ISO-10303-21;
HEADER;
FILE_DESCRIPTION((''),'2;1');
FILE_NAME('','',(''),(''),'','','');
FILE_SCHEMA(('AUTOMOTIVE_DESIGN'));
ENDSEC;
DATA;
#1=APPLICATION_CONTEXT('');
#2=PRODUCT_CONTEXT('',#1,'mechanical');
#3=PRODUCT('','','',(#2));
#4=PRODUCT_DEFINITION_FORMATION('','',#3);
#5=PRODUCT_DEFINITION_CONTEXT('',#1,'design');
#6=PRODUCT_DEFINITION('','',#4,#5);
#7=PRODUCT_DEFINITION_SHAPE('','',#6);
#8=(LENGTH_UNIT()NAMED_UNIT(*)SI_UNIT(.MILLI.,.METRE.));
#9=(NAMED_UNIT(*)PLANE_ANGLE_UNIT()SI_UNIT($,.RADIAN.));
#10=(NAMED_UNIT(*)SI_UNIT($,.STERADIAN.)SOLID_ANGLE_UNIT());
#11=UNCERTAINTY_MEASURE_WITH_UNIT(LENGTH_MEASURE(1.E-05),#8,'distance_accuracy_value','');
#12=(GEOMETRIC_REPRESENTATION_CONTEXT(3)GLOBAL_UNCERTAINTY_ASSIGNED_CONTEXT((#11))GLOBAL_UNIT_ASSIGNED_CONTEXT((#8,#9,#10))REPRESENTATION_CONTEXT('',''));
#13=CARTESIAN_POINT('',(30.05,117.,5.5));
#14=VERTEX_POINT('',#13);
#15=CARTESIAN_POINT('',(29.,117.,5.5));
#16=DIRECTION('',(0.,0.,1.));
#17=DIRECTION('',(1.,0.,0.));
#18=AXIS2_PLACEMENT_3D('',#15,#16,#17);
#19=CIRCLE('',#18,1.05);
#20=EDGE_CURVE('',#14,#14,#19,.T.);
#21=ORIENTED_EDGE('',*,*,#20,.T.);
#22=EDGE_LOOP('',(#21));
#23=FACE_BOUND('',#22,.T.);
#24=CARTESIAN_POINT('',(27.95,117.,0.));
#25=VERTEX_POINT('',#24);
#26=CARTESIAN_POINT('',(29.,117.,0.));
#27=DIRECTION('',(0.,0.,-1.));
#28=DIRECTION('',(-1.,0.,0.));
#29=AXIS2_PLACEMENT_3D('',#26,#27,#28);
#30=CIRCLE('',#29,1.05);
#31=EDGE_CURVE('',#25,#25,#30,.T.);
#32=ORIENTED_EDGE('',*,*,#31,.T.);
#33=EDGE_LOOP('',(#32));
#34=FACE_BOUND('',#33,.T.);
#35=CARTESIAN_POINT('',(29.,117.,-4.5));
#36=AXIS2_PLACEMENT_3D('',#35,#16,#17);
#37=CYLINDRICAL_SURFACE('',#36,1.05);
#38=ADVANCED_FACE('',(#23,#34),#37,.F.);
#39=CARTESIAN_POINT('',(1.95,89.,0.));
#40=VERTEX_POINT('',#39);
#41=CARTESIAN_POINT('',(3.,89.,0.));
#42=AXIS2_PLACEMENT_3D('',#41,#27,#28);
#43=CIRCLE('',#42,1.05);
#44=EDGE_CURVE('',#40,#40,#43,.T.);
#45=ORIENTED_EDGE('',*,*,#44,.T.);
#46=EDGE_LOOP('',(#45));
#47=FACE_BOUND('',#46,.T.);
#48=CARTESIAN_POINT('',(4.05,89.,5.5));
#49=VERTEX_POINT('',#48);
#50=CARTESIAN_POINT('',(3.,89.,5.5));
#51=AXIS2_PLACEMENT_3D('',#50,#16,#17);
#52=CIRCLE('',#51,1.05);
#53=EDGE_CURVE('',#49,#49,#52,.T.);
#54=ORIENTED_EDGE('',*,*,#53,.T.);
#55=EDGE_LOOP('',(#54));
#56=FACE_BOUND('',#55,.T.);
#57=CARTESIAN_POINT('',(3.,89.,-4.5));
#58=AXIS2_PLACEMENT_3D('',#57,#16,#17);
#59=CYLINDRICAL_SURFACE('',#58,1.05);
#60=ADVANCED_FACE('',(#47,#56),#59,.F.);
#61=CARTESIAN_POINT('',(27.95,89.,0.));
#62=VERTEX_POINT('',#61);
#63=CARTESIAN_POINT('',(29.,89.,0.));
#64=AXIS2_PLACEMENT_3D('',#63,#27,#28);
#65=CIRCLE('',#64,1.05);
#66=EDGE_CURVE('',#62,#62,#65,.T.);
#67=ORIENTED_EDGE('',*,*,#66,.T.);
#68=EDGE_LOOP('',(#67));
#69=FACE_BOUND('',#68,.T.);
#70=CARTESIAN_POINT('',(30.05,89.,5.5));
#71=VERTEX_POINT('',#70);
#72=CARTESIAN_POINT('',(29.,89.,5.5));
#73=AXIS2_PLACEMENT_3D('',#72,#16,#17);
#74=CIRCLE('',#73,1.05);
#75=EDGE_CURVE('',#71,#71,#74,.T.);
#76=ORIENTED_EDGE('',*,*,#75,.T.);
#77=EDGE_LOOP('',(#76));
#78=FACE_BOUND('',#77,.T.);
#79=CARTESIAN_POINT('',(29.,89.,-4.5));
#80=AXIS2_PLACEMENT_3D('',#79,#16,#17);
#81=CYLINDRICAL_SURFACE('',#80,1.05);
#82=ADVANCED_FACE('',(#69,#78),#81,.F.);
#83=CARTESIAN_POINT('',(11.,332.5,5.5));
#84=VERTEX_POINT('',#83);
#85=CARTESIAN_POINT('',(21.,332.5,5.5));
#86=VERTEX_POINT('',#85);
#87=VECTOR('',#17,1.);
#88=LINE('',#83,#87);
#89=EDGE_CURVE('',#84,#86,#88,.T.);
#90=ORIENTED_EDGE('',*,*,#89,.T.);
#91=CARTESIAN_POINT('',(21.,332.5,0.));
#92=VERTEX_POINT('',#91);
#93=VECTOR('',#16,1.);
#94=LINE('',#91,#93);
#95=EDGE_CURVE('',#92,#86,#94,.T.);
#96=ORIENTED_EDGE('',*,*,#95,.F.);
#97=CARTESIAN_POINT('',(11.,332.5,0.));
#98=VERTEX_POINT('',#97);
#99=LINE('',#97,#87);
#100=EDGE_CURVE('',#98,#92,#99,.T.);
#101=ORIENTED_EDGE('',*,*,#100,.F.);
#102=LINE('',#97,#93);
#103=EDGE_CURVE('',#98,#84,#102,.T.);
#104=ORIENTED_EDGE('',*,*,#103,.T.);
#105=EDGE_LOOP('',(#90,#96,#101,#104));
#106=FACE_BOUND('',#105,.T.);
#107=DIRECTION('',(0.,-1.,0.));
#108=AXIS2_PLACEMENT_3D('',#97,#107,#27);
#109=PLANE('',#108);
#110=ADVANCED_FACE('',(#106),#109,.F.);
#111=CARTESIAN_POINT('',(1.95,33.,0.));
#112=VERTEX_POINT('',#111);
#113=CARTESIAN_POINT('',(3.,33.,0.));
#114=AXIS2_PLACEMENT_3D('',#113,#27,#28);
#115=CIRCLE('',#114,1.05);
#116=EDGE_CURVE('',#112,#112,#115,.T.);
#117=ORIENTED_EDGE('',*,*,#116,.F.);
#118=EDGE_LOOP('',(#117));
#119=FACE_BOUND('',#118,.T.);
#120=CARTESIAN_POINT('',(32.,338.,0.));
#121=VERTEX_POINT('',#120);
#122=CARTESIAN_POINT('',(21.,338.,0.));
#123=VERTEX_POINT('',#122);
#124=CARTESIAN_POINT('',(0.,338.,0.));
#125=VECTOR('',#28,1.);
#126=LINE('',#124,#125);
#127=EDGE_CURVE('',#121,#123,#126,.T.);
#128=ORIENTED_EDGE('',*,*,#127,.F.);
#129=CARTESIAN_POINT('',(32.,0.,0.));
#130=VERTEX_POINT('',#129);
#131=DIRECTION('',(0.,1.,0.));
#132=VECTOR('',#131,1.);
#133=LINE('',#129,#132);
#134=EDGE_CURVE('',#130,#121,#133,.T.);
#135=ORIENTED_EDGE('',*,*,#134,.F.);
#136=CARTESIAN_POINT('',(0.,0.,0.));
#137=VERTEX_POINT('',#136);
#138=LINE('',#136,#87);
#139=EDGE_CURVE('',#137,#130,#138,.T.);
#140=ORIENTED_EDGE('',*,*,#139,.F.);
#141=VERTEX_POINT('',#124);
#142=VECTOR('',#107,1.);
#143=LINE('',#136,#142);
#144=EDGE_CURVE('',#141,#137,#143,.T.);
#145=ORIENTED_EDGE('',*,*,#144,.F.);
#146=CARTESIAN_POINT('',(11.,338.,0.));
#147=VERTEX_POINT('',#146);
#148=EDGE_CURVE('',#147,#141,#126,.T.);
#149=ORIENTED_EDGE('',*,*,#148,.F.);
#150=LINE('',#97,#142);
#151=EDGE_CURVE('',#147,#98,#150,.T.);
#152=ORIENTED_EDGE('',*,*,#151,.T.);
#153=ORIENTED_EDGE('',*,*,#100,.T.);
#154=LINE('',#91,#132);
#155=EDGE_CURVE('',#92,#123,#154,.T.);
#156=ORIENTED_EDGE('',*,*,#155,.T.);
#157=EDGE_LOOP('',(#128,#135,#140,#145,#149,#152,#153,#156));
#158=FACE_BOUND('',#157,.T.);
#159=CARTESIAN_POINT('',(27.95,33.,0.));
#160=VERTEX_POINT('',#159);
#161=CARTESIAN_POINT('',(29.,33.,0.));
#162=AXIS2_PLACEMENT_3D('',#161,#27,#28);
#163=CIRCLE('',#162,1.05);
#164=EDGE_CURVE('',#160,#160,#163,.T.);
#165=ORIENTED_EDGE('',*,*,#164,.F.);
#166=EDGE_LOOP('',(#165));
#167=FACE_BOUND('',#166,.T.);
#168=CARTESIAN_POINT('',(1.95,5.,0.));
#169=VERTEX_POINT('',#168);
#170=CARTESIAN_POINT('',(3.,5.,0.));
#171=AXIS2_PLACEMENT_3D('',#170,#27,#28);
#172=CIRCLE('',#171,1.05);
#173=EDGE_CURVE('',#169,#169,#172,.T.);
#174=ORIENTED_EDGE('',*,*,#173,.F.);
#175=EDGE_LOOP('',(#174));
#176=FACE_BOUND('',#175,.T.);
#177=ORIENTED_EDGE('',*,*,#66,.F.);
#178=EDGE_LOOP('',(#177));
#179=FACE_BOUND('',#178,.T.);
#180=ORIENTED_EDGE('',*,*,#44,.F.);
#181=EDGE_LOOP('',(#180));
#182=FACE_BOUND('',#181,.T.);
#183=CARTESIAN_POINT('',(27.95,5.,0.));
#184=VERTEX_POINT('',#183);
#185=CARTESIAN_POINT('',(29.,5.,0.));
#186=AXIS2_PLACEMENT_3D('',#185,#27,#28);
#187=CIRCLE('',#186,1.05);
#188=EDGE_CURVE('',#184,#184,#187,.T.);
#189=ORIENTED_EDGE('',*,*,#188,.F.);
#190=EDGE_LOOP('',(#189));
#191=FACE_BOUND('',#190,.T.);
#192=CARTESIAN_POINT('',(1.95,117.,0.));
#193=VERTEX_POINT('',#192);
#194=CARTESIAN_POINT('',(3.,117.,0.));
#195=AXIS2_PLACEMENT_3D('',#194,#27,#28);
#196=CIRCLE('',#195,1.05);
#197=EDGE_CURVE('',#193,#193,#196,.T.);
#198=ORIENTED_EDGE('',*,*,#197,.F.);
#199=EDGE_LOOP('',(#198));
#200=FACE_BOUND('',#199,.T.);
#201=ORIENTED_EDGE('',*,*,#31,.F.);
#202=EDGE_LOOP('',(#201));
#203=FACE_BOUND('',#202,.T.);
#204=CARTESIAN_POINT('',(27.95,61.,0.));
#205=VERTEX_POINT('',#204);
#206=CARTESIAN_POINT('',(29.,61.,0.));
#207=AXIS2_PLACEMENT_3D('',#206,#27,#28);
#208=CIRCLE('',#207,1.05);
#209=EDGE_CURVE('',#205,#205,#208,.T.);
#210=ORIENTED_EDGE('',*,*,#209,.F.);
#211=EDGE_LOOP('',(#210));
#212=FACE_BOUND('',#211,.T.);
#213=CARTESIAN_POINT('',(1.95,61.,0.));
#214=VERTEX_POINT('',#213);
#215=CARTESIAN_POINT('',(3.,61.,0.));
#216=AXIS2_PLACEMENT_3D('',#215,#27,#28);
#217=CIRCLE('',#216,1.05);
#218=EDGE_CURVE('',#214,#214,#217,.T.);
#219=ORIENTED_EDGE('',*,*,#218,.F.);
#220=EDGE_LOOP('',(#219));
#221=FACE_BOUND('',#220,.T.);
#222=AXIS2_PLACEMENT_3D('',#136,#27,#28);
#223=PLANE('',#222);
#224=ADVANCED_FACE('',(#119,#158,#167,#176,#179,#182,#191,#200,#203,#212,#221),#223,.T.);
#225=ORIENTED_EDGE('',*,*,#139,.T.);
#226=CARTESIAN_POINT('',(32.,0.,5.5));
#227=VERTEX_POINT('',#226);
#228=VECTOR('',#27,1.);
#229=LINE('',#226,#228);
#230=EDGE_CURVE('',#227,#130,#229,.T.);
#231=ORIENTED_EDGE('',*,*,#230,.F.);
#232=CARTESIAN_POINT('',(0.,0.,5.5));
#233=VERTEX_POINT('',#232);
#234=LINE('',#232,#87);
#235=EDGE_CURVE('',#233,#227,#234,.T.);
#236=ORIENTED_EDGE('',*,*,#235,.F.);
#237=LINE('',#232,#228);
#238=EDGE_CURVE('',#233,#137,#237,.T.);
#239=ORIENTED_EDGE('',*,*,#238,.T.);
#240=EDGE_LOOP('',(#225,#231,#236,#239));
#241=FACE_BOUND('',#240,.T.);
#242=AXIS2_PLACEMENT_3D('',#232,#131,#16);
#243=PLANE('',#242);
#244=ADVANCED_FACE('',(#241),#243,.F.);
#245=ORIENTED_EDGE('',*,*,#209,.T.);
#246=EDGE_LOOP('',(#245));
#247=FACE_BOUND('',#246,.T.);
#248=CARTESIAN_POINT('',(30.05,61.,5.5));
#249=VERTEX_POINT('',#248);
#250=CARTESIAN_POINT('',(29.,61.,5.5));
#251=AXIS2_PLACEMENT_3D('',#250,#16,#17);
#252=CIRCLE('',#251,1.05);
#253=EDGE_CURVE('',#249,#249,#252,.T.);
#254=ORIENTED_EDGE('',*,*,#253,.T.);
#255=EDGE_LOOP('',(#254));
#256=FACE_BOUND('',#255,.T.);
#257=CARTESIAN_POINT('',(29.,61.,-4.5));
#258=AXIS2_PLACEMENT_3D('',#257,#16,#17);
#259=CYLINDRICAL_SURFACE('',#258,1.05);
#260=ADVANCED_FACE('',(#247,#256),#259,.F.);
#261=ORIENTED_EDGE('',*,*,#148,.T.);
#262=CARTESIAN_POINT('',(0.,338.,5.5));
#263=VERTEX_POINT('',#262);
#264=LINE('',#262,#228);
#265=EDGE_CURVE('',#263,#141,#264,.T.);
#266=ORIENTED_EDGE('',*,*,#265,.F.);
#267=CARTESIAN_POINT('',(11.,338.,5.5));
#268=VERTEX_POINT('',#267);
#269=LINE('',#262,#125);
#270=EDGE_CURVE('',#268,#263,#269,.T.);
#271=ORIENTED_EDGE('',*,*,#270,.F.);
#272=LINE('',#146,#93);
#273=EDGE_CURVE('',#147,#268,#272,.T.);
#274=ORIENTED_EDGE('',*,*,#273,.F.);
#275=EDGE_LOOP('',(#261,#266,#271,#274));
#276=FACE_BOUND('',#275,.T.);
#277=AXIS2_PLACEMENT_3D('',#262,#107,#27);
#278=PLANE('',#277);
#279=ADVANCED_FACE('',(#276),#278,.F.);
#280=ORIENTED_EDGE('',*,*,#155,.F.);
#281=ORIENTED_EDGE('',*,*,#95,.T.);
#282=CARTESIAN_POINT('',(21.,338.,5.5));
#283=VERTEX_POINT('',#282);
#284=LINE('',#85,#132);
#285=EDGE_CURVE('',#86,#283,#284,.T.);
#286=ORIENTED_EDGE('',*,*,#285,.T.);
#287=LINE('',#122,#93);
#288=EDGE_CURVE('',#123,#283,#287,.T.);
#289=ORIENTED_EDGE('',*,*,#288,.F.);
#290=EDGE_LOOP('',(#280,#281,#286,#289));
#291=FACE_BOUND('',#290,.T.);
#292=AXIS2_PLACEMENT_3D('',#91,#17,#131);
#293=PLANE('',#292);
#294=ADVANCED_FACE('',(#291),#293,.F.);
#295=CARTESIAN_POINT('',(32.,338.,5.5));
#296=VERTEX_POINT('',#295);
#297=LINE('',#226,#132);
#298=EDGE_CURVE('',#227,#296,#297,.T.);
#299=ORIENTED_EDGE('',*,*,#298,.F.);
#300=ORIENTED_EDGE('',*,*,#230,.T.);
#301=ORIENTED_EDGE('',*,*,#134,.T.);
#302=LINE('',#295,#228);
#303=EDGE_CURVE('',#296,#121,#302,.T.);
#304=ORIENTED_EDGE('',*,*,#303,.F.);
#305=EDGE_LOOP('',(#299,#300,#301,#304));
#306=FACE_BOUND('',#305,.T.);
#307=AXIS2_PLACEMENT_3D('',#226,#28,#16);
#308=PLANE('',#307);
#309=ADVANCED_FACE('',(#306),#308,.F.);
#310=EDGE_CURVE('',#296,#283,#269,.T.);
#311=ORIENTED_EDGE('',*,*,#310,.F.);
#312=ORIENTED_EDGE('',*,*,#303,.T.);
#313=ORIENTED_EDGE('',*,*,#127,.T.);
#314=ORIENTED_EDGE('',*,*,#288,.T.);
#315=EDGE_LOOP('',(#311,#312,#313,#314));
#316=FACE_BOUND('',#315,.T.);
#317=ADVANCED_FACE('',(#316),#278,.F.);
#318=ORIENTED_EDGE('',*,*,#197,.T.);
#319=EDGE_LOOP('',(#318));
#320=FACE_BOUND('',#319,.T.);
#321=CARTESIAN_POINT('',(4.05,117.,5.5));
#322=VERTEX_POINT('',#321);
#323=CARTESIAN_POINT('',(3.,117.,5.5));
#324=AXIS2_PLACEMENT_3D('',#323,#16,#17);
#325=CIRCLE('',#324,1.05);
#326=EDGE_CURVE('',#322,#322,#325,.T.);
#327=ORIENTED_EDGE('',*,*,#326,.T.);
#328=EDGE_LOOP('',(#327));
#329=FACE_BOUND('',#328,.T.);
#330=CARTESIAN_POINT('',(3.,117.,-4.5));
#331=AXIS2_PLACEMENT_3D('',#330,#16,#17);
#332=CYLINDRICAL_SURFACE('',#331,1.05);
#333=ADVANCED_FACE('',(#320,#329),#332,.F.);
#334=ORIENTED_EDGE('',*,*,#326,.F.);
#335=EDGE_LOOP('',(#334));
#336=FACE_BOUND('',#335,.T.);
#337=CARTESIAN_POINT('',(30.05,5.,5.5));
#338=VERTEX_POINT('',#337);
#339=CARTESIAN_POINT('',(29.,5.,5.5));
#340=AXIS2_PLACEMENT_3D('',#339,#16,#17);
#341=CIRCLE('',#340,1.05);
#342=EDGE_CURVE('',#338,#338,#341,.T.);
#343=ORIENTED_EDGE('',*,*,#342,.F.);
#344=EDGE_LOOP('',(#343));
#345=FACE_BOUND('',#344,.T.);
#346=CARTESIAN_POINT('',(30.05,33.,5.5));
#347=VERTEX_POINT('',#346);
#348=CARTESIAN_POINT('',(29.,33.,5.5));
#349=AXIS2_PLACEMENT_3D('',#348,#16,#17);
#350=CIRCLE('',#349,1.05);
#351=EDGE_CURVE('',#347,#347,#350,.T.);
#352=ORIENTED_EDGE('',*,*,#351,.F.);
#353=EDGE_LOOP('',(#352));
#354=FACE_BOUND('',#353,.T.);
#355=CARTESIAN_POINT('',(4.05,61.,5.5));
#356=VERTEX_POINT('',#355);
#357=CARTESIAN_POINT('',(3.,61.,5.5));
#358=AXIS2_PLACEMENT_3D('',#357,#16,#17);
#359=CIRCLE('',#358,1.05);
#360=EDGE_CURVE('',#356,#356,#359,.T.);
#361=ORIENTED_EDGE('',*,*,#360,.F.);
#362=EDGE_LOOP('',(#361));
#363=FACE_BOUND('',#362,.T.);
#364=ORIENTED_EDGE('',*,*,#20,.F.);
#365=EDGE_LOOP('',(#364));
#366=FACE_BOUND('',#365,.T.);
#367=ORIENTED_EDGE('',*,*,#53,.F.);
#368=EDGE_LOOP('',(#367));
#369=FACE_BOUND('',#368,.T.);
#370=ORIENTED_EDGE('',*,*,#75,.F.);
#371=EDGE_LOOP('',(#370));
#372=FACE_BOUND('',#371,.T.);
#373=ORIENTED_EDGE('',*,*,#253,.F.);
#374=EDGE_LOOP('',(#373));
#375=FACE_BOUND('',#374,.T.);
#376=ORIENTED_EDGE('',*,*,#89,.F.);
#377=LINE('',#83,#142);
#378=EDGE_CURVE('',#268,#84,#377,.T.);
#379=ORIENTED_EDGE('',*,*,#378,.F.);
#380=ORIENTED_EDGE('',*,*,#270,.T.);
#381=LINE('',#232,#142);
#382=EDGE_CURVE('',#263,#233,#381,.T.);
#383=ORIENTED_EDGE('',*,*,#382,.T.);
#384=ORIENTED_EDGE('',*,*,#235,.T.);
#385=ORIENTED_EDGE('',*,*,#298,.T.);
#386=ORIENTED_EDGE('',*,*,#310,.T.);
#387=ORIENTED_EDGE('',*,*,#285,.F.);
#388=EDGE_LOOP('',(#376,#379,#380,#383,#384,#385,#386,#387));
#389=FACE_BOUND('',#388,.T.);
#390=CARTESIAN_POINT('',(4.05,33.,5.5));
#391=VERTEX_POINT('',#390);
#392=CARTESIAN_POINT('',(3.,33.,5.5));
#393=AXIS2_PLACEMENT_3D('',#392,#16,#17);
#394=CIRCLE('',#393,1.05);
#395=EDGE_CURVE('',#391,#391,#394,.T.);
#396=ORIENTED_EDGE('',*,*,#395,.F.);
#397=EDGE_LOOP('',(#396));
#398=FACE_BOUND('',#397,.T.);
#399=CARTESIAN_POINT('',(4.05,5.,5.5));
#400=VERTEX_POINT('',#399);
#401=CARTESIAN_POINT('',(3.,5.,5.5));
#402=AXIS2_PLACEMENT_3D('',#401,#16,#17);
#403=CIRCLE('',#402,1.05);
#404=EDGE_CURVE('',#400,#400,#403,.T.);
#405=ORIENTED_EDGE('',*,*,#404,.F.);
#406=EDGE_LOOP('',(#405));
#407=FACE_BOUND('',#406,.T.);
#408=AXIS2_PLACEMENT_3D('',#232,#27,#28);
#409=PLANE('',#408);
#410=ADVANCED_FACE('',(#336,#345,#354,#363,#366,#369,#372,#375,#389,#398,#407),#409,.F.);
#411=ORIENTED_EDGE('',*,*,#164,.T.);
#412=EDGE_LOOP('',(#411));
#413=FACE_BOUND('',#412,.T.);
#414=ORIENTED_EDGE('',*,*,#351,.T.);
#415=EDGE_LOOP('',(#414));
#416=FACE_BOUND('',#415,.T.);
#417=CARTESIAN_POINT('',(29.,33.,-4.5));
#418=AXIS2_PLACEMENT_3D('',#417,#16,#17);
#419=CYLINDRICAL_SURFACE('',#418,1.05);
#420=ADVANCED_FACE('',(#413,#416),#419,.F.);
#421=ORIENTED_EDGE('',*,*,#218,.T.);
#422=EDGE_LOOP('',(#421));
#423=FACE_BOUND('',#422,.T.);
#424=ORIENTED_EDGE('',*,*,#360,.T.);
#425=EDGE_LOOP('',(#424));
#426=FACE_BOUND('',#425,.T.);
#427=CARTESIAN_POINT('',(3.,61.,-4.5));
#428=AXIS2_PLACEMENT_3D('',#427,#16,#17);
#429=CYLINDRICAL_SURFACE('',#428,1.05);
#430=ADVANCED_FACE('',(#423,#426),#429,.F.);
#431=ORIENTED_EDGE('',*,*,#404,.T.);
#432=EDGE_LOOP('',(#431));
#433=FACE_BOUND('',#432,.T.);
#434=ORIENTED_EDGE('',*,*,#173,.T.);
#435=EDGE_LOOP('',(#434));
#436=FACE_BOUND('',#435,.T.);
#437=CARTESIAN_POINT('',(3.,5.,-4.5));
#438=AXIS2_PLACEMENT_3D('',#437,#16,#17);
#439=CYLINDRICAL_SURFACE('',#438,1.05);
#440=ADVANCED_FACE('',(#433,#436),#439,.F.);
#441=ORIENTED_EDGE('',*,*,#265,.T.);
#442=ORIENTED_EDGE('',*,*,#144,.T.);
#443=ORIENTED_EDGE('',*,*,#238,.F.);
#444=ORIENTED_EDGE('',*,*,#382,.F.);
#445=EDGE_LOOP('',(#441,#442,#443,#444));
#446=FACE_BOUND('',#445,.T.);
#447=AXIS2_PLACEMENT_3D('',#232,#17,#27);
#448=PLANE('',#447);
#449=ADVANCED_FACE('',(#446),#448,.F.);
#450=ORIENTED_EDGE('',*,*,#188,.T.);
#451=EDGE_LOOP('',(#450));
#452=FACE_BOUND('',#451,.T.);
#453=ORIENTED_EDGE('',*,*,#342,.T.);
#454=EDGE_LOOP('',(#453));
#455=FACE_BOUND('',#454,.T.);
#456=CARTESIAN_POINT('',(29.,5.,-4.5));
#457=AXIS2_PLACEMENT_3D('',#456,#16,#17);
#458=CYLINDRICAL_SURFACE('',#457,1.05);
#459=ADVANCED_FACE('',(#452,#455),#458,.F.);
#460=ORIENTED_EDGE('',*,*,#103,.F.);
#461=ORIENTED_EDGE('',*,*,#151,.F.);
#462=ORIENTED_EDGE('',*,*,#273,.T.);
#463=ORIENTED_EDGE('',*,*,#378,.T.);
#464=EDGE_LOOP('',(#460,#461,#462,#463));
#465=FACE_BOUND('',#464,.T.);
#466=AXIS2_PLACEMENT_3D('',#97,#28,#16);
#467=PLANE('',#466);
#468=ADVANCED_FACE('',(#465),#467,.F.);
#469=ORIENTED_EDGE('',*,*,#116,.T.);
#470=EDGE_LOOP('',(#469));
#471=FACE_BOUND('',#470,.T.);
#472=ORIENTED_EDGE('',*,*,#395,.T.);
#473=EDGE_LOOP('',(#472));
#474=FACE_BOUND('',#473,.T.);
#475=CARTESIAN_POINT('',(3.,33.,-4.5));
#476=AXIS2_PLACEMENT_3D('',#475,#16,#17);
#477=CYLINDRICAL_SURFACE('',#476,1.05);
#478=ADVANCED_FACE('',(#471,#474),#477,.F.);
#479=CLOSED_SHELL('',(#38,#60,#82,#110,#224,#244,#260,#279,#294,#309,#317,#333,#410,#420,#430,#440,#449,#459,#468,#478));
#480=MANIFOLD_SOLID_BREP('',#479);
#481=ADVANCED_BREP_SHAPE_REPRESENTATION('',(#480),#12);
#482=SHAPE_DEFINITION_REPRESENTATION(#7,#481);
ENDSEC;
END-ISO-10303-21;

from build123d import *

# Parameters (mm, degrees)
SKETCH_1_W          = 32
SKETCH_1_H          = 338
EXTRUDE_1_DEPTH     = 5.5
SKETCH_2_W          = 10
SKETCH_2_H          = 5.5
CUT_EXTRUDE_1_DEPTH = 5.5
SKETCH_3_R          = 1.05
CUT_EXTRUDE_2_DEPTH = 10


with BuildPart() as part:
    # ｽｹｯﾁ1 → ﾎﾞｽ - 押し出し1 (new body)
    with BuildSketch(Plane.XY):
        with Locations((16, 169)):
            Rectangle(SKETCH_1_W, SKETCH_1_H)
    extrude(amount=EXTRUDE_1_DEPTH)

    # ｽｹｯﾁ2 → ｶｯﾄ - 押し出し1 (cut)
    with BuildSketch(Plane.XY.offset(5.5)):
        with Locations((16, 335.25)):
            Rectangle(SKETCH_2_W, SKETCH_2_H)
    extrude(amount=-CUT_EXTRUDE_1_DEPTH, mode=Mode.SUBTRACT)

    # ｽｹｯﾁ3 → ｶｯﾄ - 押し出し2 (cut)
    with BuildSketch(Plane.XY.offset(5.5)):
        with Locations((3, 5)):
            Circle(SKETCH_3_R)
        with Locations((29, 5)):
            Circle(SKETCH_3_R)
        with Locations((3, 33)):
            Circle(SKETCH_3_R)
        with Locations((29, 33)):
            Circle(SKETCH_3_R)
        with Locations((3, 61)):
            Circle(SKETCH_3_R)
        with Locations((29, 61)):
            Circle(SKETCH_3_R)
        with Locations((3, 89)):
            Circle(SKETCH_3_R)
        with Locations((29, 89)):
            Circle(SKETCH_3_R)
        with Locations((3, 117)):
            Circle(SKETCH_3_R)
        with Locations((29, 117)):
            Circle(SKETCH_3_R)
    extrude(amount=-CUT_EXTRUDE_2_DEPTH, mode=Mode.SUBTRACT)


solid = part.part
